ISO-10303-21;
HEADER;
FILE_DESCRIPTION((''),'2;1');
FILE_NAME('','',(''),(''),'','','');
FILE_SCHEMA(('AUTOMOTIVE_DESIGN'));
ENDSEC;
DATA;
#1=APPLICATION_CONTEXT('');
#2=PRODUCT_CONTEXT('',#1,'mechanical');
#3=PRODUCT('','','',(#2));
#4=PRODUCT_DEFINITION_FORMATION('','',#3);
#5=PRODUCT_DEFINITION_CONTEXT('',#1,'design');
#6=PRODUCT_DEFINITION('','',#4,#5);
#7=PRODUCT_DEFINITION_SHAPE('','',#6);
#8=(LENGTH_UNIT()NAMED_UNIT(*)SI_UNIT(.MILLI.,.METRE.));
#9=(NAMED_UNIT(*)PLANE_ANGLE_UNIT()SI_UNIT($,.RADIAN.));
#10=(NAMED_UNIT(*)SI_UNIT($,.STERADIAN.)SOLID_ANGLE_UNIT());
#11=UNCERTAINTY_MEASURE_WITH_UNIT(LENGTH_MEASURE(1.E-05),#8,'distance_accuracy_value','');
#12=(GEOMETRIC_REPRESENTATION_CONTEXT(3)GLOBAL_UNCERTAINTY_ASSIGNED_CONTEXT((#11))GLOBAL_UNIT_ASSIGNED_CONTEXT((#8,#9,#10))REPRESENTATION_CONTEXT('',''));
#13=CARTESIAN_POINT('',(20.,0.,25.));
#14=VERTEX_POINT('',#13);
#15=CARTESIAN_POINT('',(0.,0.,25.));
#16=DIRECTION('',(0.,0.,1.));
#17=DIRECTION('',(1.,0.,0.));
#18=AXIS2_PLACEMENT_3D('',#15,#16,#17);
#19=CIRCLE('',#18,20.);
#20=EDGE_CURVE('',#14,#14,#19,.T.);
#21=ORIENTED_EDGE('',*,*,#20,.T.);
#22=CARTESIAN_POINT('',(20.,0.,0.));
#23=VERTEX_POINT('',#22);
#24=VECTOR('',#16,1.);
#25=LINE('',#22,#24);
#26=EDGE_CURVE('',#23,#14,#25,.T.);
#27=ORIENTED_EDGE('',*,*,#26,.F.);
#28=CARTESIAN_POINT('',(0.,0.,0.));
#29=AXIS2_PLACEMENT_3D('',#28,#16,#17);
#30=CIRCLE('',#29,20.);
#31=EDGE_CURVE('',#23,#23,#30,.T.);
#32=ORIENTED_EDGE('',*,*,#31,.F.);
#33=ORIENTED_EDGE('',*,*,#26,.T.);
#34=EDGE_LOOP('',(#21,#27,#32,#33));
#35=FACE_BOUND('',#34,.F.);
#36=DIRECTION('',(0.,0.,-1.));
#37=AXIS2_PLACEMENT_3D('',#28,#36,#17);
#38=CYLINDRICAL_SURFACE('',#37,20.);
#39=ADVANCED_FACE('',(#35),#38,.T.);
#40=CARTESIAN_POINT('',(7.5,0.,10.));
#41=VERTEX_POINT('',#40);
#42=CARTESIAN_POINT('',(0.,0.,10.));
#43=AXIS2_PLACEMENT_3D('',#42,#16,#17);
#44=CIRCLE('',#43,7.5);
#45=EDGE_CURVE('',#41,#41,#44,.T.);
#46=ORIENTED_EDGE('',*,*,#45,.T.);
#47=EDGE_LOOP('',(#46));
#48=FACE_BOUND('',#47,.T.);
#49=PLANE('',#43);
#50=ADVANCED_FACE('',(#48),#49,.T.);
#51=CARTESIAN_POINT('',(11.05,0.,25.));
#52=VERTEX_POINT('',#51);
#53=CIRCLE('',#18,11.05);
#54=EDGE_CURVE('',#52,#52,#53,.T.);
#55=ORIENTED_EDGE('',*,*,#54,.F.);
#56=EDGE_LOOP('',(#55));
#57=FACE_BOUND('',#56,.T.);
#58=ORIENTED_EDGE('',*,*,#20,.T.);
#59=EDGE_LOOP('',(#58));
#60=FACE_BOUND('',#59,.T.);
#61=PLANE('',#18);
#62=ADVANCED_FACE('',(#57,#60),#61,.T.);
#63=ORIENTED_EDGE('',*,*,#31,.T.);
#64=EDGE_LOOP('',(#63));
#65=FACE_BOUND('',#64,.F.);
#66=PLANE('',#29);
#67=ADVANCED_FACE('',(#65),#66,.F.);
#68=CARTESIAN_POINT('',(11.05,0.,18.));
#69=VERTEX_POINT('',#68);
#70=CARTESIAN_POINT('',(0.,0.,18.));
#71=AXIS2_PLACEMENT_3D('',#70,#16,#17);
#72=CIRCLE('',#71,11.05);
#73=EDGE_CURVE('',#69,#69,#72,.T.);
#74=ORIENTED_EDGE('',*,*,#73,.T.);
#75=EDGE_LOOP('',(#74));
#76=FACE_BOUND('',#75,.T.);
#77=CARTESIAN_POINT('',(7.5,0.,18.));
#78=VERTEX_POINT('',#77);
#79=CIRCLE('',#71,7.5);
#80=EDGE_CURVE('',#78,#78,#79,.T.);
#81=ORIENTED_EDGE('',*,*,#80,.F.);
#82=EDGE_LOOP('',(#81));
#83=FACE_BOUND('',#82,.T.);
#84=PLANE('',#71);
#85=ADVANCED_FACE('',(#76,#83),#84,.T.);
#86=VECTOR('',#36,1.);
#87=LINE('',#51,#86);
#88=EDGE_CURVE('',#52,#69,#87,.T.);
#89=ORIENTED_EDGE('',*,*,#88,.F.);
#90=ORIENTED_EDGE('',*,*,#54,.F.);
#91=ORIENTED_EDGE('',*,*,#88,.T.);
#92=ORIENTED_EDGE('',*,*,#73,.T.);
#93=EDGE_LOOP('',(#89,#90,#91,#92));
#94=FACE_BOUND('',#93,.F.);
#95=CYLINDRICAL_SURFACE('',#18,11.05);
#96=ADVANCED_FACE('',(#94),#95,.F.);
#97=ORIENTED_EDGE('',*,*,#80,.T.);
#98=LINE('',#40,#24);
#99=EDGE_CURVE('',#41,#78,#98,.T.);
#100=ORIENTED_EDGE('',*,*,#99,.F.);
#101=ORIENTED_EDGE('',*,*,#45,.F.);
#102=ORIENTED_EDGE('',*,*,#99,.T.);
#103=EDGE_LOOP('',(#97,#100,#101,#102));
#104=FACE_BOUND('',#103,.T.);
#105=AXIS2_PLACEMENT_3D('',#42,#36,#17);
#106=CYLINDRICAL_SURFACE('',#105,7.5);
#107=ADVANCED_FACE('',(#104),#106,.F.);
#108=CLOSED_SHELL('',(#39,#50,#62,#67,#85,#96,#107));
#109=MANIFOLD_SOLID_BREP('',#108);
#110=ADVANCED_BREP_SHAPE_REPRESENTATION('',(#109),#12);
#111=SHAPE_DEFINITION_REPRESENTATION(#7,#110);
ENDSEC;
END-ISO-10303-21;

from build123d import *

# Parameters (mm, degrees)
F0_R     = 20
F1_DEPTH = 25
F2_R     = 11.05
F3_DEPTH = 15
F4_R     = 11.05
F4_R_2   = 7.5
F5_DEPTH = 8


with BuildPart() as f1:
    # F0 (on Top) → F1 (new body)
    with BuildSketch(Plane.XY):
        Circle(F0_R)
    extrude(amount=F1_DEPTH)

    # F2 (on face) → F3 (cut)
    with BuildSketch(Plane.XY.offset(25)):
        Circle(F2_R)
    extrude(amount=-F3_DEPTH, mode=Mode.SUBTRACT)

    # F4 (on face) → F5 (join)
    with BuildSketch(Plane.XY.offset(10)):
        Circle(F4_R)
        Circle(F4_R_2, mode=Mode.SUBTRACT)
    extrude(amount=F5_DEPTH)


solid = f1.part
